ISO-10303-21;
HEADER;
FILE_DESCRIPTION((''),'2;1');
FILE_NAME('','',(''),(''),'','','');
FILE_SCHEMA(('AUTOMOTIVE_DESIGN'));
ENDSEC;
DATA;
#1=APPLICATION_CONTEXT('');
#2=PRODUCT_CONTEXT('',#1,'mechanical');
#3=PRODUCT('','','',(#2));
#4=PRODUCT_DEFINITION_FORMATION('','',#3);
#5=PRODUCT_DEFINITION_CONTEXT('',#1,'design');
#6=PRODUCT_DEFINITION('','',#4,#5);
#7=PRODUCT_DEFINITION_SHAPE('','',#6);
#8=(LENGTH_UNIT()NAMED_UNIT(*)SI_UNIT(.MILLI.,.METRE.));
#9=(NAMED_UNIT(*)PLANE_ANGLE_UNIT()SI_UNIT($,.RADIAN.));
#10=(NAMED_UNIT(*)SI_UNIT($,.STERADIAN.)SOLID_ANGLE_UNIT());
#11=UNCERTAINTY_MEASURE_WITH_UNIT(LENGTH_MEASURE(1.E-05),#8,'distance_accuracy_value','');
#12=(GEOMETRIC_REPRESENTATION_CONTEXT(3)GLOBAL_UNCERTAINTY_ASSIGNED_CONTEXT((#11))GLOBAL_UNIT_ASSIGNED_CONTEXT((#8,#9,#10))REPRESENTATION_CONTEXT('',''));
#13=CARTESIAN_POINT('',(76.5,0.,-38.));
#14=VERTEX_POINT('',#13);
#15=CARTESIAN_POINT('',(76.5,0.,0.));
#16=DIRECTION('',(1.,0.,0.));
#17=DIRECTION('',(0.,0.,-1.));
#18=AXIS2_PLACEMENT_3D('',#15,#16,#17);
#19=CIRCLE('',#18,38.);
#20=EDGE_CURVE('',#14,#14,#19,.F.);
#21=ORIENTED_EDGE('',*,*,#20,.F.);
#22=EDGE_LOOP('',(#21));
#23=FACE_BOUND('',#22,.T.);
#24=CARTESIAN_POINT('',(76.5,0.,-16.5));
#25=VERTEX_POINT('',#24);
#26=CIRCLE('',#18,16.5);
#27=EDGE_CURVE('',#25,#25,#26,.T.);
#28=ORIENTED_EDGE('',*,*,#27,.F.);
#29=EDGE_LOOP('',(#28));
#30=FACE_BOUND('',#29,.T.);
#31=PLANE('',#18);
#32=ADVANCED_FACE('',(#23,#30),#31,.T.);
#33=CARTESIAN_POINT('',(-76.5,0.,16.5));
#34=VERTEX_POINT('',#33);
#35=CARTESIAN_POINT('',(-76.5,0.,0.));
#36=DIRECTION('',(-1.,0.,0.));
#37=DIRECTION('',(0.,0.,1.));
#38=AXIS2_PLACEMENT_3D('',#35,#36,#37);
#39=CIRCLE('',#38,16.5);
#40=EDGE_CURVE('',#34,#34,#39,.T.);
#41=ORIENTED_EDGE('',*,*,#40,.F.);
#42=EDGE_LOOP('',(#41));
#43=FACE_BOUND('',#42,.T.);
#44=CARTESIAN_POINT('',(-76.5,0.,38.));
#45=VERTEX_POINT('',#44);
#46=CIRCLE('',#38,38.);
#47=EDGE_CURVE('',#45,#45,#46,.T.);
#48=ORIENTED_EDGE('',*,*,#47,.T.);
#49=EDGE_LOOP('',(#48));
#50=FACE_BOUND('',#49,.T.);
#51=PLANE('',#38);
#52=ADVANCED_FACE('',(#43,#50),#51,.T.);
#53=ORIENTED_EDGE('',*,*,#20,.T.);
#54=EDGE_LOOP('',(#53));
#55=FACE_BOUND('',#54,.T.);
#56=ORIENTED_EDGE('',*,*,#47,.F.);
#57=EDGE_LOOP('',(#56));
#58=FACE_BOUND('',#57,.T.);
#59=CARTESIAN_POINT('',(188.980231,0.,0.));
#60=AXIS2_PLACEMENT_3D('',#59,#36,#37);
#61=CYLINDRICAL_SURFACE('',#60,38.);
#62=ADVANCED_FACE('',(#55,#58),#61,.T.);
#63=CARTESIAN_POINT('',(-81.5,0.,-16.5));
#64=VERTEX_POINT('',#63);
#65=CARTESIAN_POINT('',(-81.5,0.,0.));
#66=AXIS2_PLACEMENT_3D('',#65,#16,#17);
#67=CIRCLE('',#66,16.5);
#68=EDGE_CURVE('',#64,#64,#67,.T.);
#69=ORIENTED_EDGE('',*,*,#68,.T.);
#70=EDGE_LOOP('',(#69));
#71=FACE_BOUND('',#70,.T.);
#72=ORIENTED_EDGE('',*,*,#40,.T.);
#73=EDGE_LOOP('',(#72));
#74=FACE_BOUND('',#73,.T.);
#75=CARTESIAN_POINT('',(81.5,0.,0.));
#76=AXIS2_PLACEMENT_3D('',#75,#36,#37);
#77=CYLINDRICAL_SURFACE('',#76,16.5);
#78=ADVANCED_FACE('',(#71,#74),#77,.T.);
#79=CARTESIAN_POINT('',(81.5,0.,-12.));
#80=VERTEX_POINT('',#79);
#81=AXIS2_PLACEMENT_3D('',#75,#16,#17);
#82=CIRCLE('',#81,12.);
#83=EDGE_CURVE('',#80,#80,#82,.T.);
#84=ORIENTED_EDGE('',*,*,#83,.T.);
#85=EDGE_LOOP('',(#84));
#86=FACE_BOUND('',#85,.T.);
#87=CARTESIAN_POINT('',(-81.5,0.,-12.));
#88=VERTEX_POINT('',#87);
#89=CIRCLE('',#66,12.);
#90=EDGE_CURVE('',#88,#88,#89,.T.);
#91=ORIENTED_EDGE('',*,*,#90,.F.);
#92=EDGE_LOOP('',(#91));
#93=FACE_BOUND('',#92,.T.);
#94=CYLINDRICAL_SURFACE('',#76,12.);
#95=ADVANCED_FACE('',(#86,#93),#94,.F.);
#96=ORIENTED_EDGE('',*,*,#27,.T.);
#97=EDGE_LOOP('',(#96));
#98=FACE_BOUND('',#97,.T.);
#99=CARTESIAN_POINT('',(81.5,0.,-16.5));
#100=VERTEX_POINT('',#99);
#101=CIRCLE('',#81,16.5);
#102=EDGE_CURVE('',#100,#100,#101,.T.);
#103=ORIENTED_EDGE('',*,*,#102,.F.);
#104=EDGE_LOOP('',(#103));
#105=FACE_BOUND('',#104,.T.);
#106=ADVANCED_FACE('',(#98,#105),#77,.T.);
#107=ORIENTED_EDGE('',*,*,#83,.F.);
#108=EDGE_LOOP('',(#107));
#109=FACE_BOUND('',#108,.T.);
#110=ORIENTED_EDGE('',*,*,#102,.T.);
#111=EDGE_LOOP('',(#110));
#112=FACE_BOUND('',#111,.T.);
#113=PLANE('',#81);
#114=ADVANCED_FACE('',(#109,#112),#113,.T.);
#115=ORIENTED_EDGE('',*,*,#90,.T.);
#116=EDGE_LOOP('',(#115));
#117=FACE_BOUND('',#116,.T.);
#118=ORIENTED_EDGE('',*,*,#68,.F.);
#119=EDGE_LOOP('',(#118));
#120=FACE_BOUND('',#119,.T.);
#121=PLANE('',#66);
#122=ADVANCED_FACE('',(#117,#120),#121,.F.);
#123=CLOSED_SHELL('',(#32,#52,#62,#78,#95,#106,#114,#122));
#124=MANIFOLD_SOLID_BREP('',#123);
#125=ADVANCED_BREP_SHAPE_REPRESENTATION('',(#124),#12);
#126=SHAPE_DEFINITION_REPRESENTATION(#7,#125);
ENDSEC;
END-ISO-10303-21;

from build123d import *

# Parameters (mm, degrees)
SKETCH1_R               = 16.5
SKETCH1_R_2             = 12
BOSS_EXTRUDE1_DEPTH     = 81.5
BOSS_EXTRUDE2_START     = -5
SKETCH2_R               = 38
BOSS_EXTRUDE2_DEPTH     = 153
SKETCH3_R               = 12
CUT_EXTRUDE1_DEPTH      = 167.88918479
CUT_EXTRUDE1_DEPTH_BACK = 167.88918479


with BuildPart() as part:
    # Sketch1 → Boss-Extrude1 (new, symmetric)
    with BuildSketch(Plane(origin=(0, 0, 0), x_dir=(0, 0, -1), z_dir=(1, 0, 0))):
        Circle(SKETCH1_R)
        Circle(SKETCH1_R_2, mode=Mode.SUBTRACT)
    extrude(amount=BOSS_EXTRUDE1_DEPTH, both=True)

    # Sketch2 → Boss-Extrude2 (add)
    with BuildSketch(Plane.ZY.offset(81.5).offset(BOSS_EXTRUDE2_START)):
        Circle(SKETCH2_R)
    extrude(amount=-BOSS_EXTRUDE2_DEPTH)

    # Sketch3 → Cut-Extrude1 (cut, two sides)
    with BuildSketch(Plane.ZY.offset(76.5)) as cut_extrude1_sk:
        with Locations(Location((0, 0, 0), (0, 0, 180))):
            Circle(SKETCH3_R)
    extrude(amount=CUT_EXTRUDE1_DEPTH, mode=Mode.SUBTRACT)
    extrude(cut_extrude1_sk.sketch, amount=-CUT_EXTRUDE1_DEPTH_BACK, mode=Mode.SUBTRACT)


solid = part.part
